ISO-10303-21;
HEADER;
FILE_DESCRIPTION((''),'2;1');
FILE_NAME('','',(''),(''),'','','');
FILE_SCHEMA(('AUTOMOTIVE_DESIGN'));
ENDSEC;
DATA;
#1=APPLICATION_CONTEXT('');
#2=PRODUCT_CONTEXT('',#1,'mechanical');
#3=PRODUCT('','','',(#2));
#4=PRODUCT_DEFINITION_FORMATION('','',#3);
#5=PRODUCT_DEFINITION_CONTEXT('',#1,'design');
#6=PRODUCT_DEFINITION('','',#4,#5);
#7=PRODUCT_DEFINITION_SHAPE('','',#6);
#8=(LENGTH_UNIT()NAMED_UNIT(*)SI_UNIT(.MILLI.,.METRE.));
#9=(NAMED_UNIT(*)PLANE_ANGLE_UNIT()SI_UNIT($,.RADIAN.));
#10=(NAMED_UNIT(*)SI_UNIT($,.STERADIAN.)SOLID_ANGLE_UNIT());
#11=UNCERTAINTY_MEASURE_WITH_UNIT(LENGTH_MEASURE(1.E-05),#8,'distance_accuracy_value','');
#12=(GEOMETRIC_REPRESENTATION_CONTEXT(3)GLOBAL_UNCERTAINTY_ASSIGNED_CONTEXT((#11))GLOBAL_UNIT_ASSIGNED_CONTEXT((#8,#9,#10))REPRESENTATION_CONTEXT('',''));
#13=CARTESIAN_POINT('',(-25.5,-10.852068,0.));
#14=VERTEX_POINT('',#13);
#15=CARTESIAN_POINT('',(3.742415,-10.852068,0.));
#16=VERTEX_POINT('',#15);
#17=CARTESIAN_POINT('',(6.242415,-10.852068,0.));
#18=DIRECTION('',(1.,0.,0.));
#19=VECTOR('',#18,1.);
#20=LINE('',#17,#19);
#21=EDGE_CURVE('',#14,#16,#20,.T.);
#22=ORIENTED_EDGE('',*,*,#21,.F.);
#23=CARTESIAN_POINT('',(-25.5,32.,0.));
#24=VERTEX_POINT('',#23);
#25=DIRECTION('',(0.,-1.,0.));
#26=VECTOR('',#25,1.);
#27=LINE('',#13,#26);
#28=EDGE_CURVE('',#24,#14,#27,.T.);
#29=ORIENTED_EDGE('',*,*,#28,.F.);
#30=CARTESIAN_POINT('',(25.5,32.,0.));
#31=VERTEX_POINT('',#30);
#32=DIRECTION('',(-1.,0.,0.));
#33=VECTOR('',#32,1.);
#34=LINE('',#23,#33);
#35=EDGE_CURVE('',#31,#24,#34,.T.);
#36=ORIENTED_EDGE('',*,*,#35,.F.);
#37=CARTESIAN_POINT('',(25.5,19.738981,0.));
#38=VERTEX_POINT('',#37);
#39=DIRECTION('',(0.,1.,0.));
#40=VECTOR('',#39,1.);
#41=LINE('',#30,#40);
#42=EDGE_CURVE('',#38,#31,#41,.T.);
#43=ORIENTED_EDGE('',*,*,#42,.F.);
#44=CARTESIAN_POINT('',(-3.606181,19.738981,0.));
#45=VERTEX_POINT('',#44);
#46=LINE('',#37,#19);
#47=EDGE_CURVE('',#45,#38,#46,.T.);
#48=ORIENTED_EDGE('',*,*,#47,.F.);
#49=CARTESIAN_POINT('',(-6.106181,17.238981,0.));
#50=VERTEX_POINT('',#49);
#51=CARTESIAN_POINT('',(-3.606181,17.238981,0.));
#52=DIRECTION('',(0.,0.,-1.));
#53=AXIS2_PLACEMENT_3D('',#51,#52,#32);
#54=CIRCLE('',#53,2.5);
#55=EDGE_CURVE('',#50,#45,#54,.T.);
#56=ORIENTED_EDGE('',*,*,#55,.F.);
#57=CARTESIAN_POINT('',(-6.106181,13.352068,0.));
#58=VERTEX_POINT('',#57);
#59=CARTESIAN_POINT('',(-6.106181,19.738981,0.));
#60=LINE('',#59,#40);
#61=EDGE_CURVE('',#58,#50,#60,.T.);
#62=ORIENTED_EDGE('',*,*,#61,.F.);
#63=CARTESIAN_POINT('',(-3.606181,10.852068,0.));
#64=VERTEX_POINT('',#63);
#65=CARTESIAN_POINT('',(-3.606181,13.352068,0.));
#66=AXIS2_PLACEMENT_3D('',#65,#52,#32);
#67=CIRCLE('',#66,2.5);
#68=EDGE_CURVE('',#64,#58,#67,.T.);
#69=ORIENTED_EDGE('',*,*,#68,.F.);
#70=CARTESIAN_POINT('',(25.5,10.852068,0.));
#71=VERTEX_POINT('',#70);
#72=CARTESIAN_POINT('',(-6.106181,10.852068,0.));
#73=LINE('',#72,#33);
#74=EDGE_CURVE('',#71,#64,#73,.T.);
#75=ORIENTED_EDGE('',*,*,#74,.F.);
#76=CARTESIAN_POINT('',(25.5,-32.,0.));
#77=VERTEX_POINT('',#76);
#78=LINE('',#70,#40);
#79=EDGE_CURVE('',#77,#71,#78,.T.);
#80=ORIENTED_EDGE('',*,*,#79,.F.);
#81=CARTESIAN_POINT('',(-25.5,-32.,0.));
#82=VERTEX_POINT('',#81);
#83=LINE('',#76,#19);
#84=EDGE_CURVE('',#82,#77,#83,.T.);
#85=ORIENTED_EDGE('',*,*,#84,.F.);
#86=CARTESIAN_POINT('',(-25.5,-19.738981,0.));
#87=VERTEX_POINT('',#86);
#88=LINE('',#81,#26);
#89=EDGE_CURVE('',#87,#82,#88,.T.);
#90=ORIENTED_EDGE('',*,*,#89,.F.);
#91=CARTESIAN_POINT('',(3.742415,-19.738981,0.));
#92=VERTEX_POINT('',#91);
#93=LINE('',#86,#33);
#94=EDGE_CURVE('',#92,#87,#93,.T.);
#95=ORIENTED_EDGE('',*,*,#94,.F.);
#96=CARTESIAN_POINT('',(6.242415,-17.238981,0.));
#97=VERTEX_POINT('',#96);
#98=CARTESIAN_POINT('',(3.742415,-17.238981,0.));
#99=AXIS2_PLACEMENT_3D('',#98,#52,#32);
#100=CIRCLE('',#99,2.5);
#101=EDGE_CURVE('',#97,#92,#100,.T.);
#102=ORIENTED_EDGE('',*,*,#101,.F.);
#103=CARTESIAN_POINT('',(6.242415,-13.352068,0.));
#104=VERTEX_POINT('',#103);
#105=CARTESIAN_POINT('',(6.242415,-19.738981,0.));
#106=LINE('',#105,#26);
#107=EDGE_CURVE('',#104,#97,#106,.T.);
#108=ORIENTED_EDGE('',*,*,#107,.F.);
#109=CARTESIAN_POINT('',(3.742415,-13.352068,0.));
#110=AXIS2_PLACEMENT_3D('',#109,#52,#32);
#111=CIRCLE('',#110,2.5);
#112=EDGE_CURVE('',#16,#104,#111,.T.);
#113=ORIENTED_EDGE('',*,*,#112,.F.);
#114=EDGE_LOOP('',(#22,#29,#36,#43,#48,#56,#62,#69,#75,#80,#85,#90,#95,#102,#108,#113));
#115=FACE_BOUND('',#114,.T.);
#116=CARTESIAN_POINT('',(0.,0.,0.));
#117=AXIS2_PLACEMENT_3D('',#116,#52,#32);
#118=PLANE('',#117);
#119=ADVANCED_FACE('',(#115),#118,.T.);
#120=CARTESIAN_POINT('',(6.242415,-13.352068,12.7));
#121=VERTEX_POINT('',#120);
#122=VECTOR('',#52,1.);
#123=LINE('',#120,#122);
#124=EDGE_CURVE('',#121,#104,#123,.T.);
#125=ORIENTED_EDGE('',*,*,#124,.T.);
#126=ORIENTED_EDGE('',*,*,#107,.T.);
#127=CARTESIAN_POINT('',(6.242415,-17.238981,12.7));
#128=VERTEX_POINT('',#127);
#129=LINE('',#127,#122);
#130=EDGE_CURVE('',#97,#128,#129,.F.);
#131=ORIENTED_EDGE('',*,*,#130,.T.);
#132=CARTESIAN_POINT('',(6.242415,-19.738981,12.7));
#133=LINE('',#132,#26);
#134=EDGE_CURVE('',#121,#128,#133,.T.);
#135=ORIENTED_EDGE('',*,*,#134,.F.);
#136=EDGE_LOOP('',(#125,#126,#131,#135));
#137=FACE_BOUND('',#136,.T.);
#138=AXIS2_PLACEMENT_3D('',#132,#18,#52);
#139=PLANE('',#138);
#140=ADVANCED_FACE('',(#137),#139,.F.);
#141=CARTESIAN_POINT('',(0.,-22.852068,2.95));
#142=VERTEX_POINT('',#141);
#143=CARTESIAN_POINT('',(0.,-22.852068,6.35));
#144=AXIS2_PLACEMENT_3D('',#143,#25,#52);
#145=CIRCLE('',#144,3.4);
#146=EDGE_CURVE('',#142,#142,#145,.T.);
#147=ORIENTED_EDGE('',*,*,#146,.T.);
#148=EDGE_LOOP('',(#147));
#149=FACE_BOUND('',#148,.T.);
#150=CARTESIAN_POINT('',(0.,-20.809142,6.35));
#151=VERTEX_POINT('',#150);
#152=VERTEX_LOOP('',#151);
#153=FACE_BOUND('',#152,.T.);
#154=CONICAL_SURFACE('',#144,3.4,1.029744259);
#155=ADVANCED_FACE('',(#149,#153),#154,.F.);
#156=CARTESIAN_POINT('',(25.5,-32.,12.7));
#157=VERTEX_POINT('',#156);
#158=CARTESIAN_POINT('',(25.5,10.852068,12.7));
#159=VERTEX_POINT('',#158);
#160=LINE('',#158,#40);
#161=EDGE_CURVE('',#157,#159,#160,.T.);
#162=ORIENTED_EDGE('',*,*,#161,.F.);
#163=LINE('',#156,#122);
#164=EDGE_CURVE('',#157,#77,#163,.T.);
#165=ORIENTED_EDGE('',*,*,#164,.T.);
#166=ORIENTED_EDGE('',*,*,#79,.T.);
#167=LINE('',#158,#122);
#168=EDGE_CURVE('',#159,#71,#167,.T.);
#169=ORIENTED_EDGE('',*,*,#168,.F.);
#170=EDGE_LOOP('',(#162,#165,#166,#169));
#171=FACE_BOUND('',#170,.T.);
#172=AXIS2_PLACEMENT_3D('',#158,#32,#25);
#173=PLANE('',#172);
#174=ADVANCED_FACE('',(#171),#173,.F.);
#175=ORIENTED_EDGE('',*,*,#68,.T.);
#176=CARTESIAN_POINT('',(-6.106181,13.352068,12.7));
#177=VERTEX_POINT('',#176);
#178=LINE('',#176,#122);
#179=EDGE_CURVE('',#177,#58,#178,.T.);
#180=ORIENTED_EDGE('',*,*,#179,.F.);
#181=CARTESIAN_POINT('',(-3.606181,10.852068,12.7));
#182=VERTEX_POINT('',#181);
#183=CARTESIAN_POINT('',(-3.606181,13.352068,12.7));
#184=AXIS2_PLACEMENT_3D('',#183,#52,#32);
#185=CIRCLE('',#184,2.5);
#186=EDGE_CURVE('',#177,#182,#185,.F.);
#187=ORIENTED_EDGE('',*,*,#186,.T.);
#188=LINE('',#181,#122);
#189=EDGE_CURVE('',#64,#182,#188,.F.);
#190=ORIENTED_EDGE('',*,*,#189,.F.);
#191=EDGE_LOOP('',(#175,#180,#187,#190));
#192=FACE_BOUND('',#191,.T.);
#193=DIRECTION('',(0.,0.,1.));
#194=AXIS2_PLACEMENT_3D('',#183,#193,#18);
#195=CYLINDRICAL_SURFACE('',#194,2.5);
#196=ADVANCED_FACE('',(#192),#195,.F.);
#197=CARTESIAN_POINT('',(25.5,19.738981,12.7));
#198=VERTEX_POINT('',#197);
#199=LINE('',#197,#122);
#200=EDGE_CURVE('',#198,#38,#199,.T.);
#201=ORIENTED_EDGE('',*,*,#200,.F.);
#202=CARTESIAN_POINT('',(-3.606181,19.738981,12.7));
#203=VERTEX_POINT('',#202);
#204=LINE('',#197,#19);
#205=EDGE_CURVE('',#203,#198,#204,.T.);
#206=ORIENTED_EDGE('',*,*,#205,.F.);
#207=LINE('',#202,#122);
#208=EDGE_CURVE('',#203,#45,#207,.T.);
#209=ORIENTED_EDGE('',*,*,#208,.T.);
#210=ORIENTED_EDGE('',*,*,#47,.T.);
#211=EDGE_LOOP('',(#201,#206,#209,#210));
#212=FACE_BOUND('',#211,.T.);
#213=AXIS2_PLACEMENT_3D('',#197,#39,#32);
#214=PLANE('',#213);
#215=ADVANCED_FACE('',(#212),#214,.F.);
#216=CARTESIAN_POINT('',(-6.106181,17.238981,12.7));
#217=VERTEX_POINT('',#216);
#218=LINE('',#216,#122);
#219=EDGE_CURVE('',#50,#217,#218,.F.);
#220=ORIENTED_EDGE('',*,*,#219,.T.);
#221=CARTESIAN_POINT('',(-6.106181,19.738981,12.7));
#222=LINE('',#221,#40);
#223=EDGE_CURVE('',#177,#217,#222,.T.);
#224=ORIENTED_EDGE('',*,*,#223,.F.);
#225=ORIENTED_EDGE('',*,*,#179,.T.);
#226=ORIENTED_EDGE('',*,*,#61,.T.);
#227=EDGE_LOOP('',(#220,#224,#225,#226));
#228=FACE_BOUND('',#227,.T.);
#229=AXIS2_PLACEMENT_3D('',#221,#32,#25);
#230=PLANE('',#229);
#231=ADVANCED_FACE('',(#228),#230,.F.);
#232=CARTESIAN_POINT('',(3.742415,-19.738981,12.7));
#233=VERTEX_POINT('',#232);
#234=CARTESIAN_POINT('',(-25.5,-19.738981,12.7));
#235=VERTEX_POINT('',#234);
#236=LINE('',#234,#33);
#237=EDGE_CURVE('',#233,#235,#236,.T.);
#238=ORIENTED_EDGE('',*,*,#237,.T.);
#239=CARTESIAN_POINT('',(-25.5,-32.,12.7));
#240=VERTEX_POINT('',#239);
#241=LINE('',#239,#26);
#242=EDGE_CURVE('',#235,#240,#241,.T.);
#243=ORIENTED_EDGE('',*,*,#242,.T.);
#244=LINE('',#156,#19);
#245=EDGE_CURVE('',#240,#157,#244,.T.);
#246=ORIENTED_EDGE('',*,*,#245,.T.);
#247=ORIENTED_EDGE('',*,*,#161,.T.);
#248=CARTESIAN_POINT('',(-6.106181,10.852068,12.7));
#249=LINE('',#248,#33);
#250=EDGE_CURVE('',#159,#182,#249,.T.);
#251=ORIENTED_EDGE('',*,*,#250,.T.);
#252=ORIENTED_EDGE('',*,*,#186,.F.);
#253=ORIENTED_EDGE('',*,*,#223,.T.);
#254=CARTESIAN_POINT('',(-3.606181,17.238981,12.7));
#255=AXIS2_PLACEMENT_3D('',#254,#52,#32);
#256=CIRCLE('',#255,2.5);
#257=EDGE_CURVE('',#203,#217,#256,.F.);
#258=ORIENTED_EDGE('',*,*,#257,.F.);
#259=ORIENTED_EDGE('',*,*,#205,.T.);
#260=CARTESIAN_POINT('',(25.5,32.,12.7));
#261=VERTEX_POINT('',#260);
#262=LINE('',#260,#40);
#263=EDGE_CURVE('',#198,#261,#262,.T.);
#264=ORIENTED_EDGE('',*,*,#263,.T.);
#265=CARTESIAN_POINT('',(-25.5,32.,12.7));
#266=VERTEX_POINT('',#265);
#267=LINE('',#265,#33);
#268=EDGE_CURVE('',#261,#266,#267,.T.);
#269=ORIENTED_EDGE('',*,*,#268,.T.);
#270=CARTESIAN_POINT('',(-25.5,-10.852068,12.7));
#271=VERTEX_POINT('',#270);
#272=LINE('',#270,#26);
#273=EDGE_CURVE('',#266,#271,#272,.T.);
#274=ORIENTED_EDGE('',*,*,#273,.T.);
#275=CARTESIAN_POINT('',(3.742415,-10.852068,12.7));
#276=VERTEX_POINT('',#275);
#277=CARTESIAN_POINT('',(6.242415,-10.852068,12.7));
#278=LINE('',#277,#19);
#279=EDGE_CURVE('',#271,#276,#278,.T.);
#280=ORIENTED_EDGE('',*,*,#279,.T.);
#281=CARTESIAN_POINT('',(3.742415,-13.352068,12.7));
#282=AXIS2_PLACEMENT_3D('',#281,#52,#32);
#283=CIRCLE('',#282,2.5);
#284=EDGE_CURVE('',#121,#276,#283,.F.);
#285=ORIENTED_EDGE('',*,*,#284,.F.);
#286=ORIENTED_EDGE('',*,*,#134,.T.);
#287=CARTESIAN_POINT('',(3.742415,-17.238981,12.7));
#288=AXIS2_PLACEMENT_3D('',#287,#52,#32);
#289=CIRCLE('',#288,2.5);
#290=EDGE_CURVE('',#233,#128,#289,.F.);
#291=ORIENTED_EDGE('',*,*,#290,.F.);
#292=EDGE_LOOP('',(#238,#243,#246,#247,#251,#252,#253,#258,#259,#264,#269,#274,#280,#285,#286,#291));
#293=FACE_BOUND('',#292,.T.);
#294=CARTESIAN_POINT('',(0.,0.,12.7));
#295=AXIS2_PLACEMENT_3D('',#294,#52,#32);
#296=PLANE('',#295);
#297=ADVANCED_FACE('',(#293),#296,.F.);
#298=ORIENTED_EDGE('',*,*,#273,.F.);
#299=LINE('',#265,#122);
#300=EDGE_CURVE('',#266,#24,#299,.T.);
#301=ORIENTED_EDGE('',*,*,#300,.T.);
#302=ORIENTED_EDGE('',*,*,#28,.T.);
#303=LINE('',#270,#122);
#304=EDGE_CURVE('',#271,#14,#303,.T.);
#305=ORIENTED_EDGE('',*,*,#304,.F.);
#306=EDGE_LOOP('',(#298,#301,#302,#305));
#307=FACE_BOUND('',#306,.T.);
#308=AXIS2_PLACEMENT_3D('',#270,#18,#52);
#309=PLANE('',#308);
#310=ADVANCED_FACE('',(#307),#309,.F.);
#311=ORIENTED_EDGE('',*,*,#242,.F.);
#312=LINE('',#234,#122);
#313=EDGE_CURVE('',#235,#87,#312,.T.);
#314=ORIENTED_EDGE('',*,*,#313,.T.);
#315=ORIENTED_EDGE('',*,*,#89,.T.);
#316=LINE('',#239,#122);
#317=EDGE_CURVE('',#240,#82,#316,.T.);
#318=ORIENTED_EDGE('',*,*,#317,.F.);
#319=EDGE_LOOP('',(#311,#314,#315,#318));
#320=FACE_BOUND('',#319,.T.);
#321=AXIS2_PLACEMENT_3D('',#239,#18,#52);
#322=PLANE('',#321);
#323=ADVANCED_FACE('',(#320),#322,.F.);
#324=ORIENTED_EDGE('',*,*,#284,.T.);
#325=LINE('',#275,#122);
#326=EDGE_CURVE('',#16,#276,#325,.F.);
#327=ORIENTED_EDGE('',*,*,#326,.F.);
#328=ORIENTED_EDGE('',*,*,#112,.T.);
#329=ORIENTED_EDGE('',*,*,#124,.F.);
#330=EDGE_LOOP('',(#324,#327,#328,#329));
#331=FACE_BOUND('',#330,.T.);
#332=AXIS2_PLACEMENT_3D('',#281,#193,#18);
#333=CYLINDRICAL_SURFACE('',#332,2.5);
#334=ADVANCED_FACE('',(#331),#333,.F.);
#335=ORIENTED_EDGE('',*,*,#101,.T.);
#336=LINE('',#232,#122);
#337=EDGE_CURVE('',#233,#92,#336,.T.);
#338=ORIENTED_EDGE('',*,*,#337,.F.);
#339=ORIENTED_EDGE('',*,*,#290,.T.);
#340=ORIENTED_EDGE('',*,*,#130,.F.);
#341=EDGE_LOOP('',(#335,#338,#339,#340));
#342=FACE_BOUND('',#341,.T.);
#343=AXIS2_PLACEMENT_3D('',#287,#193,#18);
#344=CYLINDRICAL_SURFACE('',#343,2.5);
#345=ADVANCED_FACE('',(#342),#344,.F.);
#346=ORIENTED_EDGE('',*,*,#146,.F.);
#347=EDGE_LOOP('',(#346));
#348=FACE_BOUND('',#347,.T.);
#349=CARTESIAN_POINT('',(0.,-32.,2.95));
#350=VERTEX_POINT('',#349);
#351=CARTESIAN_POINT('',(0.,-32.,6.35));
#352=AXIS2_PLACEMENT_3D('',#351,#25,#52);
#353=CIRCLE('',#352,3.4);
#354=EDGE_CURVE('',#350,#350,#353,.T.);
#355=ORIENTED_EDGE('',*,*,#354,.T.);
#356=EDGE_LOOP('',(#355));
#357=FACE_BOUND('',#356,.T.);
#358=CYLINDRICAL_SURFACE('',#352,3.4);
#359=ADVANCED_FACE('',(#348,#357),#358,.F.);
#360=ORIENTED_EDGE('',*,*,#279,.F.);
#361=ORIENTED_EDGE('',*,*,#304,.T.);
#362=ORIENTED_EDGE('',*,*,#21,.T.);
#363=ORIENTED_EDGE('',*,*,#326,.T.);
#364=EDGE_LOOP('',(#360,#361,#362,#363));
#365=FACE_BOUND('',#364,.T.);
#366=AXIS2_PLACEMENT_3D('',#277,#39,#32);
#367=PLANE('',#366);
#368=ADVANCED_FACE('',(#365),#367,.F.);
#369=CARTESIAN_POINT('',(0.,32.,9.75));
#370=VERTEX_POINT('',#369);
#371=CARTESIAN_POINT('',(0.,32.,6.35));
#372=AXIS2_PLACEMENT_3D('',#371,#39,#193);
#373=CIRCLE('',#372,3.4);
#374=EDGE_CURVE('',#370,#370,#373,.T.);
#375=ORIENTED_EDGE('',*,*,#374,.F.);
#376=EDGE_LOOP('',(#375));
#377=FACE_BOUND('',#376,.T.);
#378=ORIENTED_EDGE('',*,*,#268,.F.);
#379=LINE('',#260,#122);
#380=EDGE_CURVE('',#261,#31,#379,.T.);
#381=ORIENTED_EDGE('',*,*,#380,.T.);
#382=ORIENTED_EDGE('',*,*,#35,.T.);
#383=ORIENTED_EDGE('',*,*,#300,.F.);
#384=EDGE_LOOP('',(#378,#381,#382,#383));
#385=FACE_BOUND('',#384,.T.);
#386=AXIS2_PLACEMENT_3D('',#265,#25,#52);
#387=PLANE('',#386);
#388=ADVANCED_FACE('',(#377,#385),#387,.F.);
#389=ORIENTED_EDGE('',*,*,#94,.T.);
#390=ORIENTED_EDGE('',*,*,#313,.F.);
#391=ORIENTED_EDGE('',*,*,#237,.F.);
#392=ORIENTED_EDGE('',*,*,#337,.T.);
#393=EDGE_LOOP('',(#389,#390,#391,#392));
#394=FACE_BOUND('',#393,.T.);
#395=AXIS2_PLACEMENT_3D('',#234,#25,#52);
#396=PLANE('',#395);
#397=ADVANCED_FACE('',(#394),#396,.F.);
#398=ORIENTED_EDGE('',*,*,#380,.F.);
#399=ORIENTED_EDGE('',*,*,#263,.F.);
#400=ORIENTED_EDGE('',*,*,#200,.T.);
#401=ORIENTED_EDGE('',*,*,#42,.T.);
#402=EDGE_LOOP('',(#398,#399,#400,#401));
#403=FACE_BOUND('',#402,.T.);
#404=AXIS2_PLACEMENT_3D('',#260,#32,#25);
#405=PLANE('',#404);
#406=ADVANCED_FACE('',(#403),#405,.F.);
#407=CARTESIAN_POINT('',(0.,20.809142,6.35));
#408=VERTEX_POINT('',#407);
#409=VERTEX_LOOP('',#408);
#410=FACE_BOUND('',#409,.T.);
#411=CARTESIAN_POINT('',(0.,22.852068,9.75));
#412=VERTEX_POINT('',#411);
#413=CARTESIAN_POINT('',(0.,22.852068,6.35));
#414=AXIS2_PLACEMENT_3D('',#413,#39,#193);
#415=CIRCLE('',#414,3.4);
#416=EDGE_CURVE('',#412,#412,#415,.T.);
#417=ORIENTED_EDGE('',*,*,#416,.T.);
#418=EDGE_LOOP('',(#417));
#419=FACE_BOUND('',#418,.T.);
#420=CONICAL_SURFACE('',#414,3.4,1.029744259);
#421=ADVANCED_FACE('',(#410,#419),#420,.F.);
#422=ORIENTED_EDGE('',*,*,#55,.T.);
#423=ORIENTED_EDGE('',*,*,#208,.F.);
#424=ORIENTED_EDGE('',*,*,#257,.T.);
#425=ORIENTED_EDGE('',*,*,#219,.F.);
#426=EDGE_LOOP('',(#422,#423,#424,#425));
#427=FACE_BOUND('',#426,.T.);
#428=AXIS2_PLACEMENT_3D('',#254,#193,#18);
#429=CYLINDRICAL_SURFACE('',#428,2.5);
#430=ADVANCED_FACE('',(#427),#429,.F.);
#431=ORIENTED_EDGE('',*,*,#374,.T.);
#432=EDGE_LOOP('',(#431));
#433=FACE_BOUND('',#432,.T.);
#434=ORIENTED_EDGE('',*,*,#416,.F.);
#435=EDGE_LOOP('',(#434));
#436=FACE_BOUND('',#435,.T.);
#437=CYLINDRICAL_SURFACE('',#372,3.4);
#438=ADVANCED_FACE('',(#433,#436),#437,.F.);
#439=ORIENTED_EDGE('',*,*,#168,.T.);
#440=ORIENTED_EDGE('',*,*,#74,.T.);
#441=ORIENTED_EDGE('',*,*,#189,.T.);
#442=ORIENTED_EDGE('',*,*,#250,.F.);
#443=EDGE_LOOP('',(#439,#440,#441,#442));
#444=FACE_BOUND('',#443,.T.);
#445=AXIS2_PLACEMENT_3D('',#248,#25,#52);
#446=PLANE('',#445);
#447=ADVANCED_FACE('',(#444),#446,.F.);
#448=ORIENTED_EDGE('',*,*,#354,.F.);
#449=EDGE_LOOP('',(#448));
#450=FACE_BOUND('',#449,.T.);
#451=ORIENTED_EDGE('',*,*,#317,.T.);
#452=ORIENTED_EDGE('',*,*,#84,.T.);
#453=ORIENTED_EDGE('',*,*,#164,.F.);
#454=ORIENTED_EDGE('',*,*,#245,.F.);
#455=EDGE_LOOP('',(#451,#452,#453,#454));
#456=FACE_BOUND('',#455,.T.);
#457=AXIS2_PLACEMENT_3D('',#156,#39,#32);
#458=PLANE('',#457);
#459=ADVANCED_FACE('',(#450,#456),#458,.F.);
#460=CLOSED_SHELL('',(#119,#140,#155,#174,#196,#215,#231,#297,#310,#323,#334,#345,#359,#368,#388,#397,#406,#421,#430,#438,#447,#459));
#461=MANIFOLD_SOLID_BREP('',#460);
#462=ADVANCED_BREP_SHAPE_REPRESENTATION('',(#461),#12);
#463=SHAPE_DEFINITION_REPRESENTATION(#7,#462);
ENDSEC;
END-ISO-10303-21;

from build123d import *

# Parameters (mm, degrees)
BOSS_EXTRUDE1_DEPTH        = 12.7
M8X1_25_TAPPED_HOLE1_D     = 6.8
M8X1_25_TAPPED_HOLE1_DEPTH = 9.147932364
M8X1_25_TAPPED_HOLE1_TIP   = 2.042926105
M8X1_25_TAPPED_HOLE2_D     = 6.8
M8X1_25_TAPPED_HOLE2_DEPTH = 9.147932364
M8X1_25_TAPPED_HOLE2_TIP   = 2.042926105
FILLET3_R                  = 2.5
FILLET5_R                  = 2.5
FILLET6_R                  = 2.5
FILLET7_R                  = 2.5


with BuildPart() as part:
    # Sketch1 → Boss-Extrude1 (new body)
    with BuildSketch(Plane.XY):
        Polygon((25.5, 32), (25.5, 19.738981448), (-6.106181157, 19.738981448), (-6.106181157, 10.852067636), (25.5, 10.852067636), (25.5, -32), (-25.5, -32), (-25.5, -19.738981448), (6.242414697, -19.738981448), (6.242414697, -10.852067636), (-25.5, -10.852067636), (-25.5, 32), align=None)
    extrude(amount=BOSS_EXTRUDE1_DEPTH)

    # M8x1.25 Tapped Hole1
    with Locations(Plane(origin=(0, 32, 0), x_dir=(1, 0, 0), z_dir=(0, 1, 0))):
        with Locations((0, -6.35)):
            Hole(M8X1_25_TAPPED_HOLE1_D / 2, depth=M8X1_25_TAPPED_HOLE1_DEPTH)
            with Locations((0, 0, -(M8X1_25_TAPPED_HOLE1_DEPTH + M8X1_25_TAPPED_HOLE1_TIP / 2))):  # 118° drill point
                Cone(0, M8X1_25_TAPPED_HOLE1_D / 2, M8X1_25_TAPPED_HOLE1_TIP, mode=Mode.SUBTRACT)

    # M8x1.25 Tapped Hole2
    with Locations(Plane(origin=(0, -32, 0), x_dir=(-1, 0, 0), z_dir=(0, -1, 0))):
        with Locations((0, -6.35)):
            Hole(M8X1_25_TAPPED_HOLE2_D / 2, depth=M8X1_25_TAPPED_HOLE2_DEPTH)
            with Locations((0, 0, -(M8X1_25_TAPPED_HOLE2_DEPTH + M8X1_25_TAPPED_HOLE2_TIP / 2))):  # 118° drill point
                Cone(0, M8X1_25_TAPPED_HOLE2_D / 2, M8X1_25_TAPPED_HOLE2_TIP, mode=Mode.SUBTRACT)

    # Fillet3
    fillet3_edges = [part.edges().sort_by_distance(p)[0] for p in [
        (-6.106181157, 19.738981448, 6.35),
    ]]
    fillet(fillet3_edges, radius=FILLET3_R)

    # Fillet5
    fillet5_edges = [part.edges().sort_by_distance(p)[0] for p in [
        (-6.106181157, 10.852067636, 6.35),
    ]]
    fillet(fillet5_edges, radius=FILLET5_R)

    # Fillet6
    fillet6_edges = [part.edges().sort_by_distance(p)[0] for p in [
        (6.242414697, -10.852067636, 6.35),
    ]]
    fillet(fillet6_edges, radius=FILLET6_R)

    # Fillet7
    fillet7_edges = [part.edges().sort_by_distance(p)[0] for p in [
        (6.242414697, -19.738981448, 6.35),
    ]]
    fillet(fillet7_edges, radius=FILLET7_R)


solid = part.part
